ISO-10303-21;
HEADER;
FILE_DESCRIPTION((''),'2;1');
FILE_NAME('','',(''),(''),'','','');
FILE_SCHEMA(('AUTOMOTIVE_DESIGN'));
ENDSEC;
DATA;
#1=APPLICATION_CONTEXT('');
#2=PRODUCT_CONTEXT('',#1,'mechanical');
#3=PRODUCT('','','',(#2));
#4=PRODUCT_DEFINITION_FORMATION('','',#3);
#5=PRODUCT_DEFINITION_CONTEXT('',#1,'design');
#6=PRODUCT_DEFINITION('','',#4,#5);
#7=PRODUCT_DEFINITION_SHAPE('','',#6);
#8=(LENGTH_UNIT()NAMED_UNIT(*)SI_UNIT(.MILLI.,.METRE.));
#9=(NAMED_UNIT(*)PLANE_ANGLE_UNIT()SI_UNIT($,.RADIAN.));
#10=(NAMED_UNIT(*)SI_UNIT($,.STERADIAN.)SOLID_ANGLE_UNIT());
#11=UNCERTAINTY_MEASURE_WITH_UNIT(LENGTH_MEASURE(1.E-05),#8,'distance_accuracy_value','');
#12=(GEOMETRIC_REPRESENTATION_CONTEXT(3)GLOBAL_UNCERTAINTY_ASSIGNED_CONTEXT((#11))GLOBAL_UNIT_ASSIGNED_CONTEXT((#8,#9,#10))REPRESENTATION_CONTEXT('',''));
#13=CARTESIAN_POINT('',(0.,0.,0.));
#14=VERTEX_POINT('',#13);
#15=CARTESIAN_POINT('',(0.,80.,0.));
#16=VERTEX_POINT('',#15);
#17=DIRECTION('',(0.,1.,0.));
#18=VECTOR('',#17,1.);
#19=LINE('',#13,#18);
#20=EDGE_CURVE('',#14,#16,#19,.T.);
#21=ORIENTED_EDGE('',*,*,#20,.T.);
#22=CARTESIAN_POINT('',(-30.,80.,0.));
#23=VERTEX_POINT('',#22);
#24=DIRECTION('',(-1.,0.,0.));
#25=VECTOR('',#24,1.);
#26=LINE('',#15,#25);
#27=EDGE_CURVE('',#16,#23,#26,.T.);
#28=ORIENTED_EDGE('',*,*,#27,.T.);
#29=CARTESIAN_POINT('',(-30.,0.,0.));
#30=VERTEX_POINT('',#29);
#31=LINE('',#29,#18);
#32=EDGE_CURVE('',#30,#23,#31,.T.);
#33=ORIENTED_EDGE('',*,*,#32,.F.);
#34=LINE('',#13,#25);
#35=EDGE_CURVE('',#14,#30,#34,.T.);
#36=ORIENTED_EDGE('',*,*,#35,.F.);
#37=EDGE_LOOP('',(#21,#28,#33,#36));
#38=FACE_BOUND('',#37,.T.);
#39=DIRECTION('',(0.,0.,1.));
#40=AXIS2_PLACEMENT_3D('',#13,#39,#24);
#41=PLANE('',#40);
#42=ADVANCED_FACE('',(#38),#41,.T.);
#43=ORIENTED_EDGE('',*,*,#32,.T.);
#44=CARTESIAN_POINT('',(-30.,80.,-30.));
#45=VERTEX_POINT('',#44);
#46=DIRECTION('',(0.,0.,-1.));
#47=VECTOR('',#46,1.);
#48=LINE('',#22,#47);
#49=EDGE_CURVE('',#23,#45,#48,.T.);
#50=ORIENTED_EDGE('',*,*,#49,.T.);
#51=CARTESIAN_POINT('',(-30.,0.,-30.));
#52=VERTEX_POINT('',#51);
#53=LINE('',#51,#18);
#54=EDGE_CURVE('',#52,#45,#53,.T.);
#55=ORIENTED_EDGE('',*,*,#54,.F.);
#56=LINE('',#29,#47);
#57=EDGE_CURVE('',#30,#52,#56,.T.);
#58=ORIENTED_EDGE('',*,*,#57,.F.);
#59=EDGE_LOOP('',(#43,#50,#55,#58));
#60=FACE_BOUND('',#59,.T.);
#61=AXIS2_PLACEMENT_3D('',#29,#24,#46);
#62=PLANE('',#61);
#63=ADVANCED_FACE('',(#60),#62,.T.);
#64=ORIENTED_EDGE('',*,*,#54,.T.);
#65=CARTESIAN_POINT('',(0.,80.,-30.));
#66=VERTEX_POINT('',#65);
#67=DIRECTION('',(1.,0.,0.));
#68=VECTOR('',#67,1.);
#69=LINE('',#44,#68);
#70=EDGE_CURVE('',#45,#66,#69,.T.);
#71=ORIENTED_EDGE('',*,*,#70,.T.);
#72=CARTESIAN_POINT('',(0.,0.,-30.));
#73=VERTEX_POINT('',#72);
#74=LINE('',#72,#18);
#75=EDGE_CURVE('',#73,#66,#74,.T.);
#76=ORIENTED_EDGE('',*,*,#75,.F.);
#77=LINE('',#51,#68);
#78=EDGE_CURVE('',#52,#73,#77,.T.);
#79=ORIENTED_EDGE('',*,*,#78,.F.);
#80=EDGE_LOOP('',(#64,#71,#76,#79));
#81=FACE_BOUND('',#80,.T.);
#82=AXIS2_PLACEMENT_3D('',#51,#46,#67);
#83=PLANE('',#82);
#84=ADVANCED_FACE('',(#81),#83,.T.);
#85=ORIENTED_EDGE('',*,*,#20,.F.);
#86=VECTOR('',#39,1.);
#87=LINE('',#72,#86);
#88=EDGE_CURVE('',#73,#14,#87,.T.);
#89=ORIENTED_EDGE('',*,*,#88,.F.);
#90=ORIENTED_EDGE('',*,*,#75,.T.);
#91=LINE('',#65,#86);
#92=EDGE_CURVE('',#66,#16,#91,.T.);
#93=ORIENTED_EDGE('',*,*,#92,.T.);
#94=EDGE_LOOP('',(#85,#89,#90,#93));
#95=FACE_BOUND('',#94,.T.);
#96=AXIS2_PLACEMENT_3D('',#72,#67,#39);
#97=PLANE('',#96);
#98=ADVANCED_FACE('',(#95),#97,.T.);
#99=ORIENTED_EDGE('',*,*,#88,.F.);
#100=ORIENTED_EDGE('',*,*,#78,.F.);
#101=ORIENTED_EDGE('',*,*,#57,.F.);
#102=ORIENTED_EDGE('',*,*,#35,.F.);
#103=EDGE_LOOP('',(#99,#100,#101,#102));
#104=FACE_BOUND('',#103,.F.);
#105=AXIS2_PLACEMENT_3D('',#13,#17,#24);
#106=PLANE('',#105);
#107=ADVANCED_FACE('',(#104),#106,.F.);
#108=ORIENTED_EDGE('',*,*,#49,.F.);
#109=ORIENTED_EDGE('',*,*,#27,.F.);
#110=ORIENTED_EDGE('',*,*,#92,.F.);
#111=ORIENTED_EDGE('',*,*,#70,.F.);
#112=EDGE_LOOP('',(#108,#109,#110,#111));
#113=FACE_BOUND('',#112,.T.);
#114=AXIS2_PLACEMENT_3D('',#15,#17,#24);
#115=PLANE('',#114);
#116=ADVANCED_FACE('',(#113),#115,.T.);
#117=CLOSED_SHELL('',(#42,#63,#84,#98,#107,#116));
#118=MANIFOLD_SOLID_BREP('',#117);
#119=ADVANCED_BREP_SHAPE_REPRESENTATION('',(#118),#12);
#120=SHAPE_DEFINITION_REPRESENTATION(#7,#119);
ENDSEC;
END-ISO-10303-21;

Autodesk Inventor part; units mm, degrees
ref_plane "YZ Plane" through (0, 0, 0) normal (1, 0, 0) x (0, 1, 0)
ref_plane "XZ Plane" through (0, 0, 0) normal (0, 1, 0) x (-1, 0, 0)
ref_plane "XY Plane" through (0, 0, 0) normal (0, 0, 1) x (1, 0, 0)
sketch "Sketch1" plane through (0, 0, 0) normal (0, 1, 0) x (-1, 0, 0)
  line L0 (0, 0) -> (30, 0)
  line L1 (30, 0) -> (30, -30)
  line L2 (30, -30) -> (0, -30)
  line L3 (0, -30) -> (0, 0)
  dimension "d0" = 30
  dimension "d1" = 30
extrude "Extrusion1" add sketch "Sketch1" along normal blind 80
properties part number "rectangle"
